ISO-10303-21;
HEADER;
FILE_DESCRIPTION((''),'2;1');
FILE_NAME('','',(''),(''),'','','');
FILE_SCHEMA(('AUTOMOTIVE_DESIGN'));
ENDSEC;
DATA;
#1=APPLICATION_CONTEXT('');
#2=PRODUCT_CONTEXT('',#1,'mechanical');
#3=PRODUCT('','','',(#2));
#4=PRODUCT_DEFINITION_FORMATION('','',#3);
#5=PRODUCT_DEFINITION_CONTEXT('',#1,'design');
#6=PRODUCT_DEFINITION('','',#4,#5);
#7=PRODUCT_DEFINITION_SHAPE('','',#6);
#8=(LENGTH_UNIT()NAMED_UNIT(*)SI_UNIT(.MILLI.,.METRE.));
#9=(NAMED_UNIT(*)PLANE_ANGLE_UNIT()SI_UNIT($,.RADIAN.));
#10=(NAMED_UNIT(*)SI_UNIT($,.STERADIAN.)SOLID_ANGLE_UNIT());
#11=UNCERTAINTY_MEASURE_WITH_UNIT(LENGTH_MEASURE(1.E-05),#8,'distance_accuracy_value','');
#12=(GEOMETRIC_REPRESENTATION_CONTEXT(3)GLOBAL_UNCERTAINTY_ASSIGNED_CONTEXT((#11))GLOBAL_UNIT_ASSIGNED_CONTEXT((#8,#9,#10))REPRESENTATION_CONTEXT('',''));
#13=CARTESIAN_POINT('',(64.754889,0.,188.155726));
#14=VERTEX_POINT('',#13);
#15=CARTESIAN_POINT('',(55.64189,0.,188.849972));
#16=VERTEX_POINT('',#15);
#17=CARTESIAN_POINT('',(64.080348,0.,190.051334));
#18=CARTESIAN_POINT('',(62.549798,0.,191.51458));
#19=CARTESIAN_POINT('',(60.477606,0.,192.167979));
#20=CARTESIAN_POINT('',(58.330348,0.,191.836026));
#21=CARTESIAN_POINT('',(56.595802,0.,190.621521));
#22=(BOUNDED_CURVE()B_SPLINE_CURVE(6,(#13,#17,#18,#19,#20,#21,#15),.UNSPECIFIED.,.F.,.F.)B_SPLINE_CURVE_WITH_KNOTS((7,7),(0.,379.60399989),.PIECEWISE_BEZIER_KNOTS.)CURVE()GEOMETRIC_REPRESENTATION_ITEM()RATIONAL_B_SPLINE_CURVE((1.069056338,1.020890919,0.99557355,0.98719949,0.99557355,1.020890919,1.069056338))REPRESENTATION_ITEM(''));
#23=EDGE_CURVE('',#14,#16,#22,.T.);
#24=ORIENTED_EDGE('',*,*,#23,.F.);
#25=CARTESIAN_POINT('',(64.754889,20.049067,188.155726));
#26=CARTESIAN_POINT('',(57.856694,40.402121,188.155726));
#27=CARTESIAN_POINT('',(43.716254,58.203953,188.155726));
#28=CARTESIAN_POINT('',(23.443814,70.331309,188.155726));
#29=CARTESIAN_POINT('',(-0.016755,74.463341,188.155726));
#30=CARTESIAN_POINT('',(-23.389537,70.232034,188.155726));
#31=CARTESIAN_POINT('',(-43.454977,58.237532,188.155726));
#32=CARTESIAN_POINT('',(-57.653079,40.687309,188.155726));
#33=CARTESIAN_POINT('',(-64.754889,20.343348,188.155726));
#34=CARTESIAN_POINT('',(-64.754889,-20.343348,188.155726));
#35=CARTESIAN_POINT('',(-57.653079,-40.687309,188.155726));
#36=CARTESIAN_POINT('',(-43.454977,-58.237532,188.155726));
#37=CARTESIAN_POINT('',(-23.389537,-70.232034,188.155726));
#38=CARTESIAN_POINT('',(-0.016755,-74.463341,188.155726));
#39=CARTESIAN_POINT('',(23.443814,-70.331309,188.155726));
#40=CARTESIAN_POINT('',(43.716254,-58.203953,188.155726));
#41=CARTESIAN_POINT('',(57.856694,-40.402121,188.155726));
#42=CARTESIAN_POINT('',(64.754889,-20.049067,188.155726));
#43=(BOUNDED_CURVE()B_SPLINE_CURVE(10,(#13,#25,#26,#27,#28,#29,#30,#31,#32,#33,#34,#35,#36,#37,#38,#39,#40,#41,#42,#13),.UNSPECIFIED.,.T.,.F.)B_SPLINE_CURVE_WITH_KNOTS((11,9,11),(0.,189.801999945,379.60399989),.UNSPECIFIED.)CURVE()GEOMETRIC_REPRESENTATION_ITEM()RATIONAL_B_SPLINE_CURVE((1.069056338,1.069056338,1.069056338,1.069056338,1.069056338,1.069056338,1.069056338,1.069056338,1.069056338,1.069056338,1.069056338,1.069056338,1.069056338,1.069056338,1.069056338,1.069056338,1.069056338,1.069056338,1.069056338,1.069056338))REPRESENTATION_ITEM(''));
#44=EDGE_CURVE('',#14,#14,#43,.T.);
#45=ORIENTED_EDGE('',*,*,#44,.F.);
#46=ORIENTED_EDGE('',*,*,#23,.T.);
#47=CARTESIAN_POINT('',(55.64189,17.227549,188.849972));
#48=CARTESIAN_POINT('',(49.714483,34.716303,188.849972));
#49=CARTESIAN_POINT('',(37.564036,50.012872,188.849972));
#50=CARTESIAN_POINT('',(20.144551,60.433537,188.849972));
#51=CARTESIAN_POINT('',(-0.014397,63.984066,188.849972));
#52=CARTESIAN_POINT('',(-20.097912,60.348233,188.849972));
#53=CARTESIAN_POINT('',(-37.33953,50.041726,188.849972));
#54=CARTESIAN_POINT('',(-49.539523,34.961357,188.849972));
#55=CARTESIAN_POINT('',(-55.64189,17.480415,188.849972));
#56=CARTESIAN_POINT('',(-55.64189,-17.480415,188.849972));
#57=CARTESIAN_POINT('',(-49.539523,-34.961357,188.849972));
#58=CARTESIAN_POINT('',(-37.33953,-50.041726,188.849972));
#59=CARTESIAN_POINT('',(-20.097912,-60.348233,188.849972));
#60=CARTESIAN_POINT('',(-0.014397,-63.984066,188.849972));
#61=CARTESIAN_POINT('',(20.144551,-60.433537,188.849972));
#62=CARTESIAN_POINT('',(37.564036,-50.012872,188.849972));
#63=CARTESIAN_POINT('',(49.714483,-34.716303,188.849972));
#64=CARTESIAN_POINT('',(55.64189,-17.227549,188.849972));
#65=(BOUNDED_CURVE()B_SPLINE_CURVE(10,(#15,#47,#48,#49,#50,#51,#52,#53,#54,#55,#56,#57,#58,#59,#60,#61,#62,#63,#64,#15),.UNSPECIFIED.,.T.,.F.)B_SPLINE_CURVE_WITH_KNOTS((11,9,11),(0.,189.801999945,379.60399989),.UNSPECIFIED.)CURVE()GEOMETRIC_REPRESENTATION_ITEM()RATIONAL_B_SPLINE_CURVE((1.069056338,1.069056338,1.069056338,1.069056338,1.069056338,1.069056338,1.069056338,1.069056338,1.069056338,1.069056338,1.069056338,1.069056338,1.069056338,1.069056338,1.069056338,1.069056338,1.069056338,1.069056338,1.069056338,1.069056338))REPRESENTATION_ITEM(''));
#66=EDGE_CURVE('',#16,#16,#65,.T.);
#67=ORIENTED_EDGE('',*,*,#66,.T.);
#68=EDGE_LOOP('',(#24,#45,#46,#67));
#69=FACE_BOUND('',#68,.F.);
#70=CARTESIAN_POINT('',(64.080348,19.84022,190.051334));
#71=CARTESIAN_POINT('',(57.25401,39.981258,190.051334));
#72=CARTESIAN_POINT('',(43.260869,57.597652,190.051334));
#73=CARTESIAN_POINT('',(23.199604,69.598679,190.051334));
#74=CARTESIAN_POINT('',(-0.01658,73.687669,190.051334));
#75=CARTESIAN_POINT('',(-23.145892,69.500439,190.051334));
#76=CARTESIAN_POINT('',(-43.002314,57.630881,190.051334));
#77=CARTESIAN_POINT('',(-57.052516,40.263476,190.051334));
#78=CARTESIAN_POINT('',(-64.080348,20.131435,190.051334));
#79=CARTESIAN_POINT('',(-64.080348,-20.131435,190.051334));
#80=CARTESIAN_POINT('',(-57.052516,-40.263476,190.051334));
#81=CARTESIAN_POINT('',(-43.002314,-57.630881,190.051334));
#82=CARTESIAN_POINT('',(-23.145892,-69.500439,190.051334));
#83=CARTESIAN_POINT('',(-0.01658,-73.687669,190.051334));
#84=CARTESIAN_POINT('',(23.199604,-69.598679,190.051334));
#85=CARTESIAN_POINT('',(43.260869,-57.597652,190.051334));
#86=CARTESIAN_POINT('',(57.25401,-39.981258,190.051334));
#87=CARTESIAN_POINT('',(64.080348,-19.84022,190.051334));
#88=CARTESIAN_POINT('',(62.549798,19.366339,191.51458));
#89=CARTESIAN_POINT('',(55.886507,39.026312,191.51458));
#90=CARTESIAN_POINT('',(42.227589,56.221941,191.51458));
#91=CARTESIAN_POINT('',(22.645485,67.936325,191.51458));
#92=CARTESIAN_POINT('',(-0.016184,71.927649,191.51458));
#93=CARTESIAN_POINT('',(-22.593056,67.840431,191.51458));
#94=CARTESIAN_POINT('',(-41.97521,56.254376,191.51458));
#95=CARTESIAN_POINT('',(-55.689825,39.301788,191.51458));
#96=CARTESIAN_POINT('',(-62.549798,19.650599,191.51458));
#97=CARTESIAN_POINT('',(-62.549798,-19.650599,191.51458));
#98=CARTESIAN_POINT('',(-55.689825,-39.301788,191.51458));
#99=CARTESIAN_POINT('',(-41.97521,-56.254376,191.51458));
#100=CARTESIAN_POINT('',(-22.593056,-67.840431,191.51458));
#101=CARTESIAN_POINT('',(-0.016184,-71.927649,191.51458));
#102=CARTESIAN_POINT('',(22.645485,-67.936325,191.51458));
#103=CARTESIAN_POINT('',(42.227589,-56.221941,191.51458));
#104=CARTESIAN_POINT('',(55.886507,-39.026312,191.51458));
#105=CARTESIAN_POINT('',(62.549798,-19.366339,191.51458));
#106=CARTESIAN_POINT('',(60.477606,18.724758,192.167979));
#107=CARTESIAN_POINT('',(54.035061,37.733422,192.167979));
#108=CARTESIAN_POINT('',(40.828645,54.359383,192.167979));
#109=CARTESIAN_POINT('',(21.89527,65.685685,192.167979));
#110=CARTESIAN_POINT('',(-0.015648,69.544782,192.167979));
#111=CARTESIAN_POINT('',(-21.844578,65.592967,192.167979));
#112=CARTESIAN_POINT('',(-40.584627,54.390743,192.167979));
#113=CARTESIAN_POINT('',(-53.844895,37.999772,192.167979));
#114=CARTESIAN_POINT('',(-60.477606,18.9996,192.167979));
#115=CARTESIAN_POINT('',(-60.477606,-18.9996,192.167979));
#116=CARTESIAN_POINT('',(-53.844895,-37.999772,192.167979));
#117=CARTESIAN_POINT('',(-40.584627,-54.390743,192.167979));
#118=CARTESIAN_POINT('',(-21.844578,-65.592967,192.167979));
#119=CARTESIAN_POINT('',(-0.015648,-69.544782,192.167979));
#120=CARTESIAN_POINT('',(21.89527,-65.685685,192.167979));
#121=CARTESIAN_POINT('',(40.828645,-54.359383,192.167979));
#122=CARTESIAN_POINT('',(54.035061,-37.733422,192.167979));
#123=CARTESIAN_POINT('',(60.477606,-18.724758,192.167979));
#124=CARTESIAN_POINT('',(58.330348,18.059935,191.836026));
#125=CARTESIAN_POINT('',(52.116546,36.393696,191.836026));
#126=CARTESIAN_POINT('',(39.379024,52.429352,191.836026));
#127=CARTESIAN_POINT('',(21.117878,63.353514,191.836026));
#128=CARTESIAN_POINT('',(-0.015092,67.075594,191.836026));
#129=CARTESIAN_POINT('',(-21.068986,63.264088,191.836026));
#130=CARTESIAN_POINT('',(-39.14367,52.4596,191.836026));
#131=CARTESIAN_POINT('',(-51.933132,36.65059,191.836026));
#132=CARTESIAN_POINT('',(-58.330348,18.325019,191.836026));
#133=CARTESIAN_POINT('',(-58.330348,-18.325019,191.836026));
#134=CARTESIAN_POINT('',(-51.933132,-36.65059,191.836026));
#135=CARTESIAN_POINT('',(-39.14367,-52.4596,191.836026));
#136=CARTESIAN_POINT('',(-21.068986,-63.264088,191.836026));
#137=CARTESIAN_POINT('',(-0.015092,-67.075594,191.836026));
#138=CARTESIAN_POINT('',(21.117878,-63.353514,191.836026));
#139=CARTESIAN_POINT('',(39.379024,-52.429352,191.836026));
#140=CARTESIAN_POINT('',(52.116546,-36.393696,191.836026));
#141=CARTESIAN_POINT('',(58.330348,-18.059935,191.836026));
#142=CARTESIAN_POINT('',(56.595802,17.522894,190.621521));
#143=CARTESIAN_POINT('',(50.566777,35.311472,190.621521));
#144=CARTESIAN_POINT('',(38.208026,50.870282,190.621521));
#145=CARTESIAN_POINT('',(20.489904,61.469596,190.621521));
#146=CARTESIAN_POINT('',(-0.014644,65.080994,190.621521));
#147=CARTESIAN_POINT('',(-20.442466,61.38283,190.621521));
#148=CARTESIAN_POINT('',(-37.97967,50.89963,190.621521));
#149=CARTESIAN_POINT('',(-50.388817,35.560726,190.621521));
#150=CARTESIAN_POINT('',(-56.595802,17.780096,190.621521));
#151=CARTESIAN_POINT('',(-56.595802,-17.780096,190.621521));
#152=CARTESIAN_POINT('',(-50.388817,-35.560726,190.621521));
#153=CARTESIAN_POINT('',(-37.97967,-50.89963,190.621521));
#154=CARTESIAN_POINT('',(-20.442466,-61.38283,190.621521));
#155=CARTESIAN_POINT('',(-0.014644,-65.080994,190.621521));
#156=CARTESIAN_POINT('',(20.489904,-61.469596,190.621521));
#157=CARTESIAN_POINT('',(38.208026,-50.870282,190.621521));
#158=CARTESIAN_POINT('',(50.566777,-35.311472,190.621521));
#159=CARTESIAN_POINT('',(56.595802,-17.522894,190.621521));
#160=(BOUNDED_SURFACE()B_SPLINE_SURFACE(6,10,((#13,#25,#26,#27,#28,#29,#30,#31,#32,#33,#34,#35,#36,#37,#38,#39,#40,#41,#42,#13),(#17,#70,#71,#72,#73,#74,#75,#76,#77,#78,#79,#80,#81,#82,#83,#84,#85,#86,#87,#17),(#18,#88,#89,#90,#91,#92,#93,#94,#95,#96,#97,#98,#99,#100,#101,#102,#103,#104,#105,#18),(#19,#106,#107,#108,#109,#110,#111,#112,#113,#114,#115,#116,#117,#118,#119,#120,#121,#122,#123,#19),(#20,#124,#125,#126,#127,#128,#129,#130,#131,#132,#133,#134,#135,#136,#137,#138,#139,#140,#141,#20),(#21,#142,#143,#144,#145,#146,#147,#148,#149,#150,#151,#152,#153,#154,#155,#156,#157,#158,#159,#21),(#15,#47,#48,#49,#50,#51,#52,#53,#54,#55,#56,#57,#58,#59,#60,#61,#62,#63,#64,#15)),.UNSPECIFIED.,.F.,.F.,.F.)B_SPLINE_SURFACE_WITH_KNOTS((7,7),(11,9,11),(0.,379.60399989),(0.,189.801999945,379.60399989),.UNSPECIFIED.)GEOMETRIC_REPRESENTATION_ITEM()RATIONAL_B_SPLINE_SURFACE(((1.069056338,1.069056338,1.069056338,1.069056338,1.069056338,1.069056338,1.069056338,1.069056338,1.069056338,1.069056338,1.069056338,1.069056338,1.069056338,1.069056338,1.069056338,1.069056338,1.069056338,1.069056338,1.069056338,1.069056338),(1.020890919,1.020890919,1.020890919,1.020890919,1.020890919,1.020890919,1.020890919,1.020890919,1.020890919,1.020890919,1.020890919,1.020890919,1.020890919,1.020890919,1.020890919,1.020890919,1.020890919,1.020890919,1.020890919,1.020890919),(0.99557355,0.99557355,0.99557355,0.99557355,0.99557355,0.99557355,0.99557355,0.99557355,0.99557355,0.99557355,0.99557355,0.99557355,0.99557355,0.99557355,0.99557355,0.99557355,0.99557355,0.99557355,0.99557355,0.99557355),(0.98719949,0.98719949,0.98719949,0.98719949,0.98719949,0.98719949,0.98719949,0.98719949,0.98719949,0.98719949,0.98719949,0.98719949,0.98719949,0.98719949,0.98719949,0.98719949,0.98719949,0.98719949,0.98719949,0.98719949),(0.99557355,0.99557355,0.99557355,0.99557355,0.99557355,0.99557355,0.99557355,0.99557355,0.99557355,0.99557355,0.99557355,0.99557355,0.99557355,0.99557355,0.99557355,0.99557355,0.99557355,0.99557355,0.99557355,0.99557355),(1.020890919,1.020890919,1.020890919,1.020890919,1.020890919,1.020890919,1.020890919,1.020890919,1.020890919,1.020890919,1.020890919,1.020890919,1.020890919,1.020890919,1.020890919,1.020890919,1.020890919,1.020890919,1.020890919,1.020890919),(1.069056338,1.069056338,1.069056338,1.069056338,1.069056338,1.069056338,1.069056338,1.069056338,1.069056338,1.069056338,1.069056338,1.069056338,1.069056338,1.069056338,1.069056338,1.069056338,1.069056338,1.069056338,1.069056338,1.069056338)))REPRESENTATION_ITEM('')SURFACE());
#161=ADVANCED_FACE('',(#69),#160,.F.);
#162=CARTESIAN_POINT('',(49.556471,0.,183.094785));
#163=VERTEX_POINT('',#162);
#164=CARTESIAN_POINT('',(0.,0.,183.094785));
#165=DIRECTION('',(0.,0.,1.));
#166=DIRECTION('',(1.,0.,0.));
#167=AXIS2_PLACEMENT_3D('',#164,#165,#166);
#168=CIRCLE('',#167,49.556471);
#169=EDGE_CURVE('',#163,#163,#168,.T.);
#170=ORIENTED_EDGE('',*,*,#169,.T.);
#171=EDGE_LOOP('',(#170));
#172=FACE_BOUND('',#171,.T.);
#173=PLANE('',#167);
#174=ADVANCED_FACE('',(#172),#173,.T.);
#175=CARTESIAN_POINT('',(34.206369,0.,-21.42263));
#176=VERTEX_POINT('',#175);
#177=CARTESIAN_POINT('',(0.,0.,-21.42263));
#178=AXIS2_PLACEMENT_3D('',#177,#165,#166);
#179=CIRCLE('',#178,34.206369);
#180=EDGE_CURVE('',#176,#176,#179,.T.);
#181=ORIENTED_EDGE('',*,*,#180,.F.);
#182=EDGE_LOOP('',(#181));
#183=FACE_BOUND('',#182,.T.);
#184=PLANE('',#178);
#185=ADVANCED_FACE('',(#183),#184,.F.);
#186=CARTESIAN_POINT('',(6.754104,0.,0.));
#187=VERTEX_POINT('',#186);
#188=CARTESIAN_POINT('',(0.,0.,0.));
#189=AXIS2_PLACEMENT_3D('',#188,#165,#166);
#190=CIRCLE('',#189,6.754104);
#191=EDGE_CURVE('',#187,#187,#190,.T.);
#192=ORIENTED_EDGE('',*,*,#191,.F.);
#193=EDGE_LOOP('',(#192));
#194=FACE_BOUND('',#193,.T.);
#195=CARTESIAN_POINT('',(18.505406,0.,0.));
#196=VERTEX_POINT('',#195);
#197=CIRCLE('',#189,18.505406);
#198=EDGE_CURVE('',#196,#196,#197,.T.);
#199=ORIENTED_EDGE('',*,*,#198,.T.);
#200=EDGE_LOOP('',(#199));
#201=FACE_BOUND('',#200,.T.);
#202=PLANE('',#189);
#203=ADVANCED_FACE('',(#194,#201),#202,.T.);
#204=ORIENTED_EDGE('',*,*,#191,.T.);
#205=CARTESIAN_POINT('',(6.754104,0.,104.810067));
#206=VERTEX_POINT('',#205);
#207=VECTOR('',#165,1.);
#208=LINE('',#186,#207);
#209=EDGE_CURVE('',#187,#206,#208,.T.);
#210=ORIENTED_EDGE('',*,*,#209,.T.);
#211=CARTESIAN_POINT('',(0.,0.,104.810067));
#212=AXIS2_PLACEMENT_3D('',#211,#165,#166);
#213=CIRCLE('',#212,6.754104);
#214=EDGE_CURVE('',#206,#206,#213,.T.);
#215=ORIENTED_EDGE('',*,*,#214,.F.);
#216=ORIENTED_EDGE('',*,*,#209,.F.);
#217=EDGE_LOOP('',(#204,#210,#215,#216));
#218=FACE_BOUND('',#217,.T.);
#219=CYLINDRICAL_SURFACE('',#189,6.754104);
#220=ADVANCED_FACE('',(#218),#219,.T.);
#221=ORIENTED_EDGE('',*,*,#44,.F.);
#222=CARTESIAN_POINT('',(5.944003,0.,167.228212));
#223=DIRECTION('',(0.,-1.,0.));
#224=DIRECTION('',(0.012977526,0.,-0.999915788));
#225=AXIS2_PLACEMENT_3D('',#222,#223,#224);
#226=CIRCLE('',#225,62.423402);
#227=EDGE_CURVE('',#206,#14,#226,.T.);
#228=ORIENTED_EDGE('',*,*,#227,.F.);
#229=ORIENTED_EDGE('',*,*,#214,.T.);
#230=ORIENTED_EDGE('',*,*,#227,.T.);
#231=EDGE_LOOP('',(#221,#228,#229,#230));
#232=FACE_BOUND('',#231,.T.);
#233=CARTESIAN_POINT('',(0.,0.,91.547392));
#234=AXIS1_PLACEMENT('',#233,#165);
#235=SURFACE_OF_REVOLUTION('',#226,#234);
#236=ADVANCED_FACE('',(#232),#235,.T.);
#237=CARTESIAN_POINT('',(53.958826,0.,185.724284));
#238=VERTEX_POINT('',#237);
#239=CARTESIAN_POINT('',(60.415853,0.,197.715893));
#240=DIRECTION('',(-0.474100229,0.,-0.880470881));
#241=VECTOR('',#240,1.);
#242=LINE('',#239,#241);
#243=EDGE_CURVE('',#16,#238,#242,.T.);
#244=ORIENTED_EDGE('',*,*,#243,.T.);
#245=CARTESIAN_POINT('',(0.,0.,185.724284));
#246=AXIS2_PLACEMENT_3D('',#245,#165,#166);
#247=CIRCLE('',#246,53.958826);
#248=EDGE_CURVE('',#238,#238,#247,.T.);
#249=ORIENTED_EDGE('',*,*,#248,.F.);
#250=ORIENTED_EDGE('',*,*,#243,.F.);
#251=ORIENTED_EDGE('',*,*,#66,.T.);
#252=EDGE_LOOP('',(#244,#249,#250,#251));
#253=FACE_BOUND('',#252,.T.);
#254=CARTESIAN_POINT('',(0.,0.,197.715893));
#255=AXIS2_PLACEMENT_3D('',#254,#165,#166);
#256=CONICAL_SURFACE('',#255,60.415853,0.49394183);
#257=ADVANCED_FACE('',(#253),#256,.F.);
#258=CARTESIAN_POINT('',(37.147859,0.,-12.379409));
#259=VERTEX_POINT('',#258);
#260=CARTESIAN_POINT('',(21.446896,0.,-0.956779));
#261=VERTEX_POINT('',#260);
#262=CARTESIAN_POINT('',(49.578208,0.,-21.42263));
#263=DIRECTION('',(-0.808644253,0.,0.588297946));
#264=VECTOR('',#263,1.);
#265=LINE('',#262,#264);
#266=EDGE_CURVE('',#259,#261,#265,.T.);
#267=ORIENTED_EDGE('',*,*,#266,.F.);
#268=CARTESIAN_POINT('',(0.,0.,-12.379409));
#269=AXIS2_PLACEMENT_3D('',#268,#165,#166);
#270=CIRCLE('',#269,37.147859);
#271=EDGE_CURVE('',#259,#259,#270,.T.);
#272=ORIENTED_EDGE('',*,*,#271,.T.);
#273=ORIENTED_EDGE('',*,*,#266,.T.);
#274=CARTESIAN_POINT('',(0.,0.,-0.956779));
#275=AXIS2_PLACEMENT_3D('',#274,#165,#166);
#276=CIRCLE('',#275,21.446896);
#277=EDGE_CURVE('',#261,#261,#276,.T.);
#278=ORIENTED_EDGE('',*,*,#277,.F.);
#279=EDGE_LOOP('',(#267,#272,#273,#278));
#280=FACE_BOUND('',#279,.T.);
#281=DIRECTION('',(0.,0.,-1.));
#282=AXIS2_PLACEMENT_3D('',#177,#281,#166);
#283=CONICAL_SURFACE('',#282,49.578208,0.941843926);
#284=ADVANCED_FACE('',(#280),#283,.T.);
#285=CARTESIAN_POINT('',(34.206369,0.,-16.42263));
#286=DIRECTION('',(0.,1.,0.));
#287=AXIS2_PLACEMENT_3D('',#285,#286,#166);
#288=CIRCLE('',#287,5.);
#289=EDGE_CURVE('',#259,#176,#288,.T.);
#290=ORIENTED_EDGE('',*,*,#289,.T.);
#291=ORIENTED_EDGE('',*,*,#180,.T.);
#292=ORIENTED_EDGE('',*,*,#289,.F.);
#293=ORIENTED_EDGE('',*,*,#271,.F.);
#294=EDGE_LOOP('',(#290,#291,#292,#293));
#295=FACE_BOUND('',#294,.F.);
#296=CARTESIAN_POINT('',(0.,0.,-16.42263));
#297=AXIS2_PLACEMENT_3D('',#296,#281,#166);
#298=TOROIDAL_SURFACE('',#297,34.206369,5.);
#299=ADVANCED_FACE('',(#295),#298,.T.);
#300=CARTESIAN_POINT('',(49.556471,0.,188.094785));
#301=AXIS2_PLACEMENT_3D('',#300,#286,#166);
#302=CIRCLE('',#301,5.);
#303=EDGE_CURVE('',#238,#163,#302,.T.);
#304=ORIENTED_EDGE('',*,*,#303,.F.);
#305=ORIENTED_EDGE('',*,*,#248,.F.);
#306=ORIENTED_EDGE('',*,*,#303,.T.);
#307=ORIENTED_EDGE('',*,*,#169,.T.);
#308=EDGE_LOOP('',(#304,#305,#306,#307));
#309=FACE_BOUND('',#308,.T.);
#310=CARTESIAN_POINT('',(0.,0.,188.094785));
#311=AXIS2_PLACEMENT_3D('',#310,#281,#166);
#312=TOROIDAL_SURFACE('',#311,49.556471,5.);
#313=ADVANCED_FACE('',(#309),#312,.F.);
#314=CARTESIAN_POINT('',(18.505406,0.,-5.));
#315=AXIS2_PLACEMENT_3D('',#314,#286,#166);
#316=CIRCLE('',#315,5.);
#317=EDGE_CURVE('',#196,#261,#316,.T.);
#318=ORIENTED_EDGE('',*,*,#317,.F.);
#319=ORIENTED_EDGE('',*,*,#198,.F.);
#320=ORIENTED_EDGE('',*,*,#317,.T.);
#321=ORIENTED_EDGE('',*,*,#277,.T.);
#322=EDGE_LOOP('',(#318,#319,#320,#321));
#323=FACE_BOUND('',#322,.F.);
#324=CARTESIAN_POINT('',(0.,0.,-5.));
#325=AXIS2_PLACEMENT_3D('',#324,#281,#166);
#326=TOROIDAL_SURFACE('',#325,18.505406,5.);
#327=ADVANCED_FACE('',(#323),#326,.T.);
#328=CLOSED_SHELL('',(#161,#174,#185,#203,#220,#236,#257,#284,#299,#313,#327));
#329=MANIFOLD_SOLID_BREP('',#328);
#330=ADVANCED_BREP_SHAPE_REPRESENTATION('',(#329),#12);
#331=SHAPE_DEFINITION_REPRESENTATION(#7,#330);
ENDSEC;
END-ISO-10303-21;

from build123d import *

# Parameters (mm, degrees)
F4_R = 5


with BuildPart() as f1:
    # F0 (on Front) → F1 (revolve)
    with BuildSketch(Plane.XZ):
        with BuildLine():
            Line((0, 183.094785), (0, 0))
            Line((0, 0), (6.754104, 0))
            Line((6.754104, 0), (6.754104, 104.810067))
            ThreePointArc((6.754104, 104.810067), (59.998574, 136.006674), (60.415853, 197.715893))
            Line((60.415853, 197.715893), (52.54294, 183.094785))
            Line((52.54294, 183.094785), (0, 183.094785))
        make_face()
    revolve(axis=Axis((0, 0, 91.547392), (0, 0, 1)))

    # F2 (on Front) → F3 (revolve)
    with BuildSketch(Plane.XZ):
        Polygon((20.131757, 0), (0, 0), (0, -21.42263), (49.578208, -21.42263), align=None)
    revolve(axis=Axis((0, 0, -10.711315), (0, 0, 1)))

    # F4
    f4_edges = [f1.edges().sort_by_distance(p)[0] for p in [
        (-60.415853, 0, 197.715893),
        (-52.54294, 0, 183.094785),
        (-49.578208, 0, -21.42263),
        (-20.131757, 0, 0),
        (34.854983, 0, -10.711315),
    ]]
    fillet(f4_edges, radius=F4_R)


solid = f1.part
